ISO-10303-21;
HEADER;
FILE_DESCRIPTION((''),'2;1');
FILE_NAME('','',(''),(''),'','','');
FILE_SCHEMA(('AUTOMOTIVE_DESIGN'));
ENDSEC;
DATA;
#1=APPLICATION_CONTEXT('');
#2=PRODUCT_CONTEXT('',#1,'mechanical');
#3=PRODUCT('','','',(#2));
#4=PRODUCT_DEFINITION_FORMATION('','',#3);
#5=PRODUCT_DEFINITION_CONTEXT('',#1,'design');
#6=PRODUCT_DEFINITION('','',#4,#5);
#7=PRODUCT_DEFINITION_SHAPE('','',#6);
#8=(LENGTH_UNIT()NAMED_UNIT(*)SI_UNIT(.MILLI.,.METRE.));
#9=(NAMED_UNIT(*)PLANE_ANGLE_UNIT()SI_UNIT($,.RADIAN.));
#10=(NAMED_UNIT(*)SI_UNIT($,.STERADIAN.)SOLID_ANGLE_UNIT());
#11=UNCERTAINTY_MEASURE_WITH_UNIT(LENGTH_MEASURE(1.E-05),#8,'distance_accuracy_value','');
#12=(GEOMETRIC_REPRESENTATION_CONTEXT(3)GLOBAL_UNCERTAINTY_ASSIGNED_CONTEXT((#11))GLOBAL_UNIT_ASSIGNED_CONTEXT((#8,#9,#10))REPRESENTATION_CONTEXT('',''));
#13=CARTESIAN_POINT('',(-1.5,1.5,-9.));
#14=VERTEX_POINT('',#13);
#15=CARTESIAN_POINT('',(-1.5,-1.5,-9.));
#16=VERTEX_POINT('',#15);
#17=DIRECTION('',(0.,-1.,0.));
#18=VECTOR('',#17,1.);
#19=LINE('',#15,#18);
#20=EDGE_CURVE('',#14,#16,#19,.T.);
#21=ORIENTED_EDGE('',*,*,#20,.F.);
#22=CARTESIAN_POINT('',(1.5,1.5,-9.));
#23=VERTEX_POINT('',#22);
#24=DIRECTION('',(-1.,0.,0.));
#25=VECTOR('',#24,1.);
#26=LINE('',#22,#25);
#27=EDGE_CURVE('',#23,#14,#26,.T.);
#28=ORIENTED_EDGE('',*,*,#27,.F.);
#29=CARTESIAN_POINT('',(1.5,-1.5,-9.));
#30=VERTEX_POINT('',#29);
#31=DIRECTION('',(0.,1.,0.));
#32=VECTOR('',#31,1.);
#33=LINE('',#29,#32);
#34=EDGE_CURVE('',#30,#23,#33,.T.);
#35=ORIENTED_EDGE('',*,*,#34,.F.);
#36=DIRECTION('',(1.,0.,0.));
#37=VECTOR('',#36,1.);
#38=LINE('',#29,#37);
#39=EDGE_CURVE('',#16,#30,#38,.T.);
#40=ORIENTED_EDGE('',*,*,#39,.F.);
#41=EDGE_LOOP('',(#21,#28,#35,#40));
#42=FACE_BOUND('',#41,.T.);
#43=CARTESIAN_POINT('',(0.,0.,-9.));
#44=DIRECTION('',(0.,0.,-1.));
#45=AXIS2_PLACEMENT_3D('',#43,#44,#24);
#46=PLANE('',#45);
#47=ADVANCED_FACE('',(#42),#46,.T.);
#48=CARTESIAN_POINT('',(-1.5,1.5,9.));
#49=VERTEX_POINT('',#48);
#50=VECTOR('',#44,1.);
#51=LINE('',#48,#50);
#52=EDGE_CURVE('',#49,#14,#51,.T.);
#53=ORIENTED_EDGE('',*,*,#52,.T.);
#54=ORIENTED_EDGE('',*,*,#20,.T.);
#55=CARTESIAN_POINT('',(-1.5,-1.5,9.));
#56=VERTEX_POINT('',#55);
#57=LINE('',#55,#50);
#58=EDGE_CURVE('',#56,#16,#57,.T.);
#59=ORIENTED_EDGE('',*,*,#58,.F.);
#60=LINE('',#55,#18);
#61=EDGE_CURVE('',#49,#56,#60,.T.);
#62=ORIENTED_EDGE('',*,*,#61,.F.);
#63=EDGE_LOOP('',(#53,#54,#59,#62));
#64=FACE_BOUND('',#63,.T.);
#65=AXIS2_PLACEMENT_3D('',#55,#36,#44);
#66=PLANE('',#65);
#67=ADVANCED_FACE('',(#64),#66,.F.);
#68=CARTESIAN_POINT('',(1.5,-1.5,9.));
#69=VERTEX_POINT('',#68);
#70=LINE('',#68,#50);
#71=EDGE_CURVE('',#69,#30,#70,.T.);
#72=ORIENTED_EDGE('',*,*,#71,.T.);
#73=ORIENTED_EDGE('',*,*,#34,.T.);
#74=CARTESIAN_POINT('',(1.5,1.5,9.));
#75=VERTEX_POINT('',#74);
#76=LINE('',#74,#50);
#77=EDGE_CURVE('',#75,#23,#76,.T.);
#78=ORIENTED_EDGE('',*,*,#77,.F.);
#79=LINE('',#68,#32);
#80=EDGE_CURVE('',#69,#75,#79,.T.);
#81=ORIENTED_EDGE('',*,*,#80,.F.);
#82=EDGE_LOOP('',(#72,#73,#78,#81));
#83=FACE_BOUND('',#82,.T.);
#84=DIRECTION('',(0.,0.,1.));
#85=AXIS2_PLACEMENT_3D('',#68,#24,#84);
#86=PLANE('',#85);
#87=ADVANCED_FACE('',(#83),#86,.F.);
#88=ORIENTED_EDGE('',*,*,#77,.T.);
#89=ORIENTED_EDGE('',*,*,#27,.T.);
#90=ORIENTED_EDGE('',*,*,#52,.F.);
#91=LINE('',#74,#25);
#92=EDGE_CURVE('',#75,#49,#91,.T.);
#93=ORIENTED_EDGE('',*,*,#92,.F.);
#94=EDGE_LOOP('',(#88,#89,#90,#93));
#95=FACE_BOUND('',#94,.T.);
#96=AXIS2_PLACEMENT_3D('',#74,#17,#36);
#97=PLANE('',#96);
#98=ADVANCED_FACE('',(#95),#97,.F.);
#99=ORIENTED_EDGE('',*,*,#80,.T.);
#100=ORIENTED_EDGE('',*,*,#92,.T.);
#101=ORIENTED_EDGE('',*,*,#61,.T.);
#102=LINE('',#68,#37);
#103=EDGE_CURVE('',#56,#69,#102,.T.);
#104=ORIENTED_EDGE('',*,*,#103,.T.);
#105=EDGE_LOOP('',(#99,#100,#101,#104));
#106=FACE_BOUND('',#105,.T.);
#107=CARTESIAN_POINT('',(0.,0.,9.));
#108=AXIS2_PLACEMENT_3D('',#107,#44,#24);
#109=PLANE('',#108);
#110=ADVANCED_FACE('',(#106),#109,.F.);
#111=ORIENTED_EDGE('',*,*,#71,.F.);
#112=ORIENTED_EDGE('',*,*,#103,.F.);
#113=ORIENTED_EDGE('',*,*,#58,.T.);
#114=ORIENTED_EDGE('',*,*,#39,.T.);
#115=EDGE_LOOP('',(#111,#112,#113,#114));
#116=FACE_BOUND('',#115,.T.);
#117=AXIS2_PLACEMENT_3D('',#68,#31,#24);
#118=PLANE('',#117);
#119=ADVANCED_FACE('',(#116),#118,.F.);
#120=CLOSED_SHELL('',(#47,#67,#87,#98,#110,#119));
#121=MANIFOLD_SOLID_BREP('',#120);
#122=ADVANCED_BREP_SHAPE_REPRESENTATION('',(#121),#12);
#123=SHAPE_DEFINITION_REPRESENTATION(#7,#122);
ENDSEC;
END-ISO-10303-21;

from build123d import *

# Parameters (mm, degrees)
SKETCH3_W                = 3
SKETCH3_H                = 3
BOSS_EXTRUDE1_DEPTH      = 9
BOSS_EXTRUDE1_DEPTH_BACK = 9


with BuildPart() as part:
    # Sketch3 → Boss-Extrude1 (new body, two sides)
    with BuildSketch(Plane.XY) as boss_extrude1_sk:
        Rectangle(SKETCH3_W, SKETCH3_H)
    extrude(amount=BOSS_EXTRUDE1_DEPTH)
    extrude(boss_extrude1_sk.sketch, amount=-BOSS_EXTRUDE1_DEPTH_BACK)


solid = part.part
